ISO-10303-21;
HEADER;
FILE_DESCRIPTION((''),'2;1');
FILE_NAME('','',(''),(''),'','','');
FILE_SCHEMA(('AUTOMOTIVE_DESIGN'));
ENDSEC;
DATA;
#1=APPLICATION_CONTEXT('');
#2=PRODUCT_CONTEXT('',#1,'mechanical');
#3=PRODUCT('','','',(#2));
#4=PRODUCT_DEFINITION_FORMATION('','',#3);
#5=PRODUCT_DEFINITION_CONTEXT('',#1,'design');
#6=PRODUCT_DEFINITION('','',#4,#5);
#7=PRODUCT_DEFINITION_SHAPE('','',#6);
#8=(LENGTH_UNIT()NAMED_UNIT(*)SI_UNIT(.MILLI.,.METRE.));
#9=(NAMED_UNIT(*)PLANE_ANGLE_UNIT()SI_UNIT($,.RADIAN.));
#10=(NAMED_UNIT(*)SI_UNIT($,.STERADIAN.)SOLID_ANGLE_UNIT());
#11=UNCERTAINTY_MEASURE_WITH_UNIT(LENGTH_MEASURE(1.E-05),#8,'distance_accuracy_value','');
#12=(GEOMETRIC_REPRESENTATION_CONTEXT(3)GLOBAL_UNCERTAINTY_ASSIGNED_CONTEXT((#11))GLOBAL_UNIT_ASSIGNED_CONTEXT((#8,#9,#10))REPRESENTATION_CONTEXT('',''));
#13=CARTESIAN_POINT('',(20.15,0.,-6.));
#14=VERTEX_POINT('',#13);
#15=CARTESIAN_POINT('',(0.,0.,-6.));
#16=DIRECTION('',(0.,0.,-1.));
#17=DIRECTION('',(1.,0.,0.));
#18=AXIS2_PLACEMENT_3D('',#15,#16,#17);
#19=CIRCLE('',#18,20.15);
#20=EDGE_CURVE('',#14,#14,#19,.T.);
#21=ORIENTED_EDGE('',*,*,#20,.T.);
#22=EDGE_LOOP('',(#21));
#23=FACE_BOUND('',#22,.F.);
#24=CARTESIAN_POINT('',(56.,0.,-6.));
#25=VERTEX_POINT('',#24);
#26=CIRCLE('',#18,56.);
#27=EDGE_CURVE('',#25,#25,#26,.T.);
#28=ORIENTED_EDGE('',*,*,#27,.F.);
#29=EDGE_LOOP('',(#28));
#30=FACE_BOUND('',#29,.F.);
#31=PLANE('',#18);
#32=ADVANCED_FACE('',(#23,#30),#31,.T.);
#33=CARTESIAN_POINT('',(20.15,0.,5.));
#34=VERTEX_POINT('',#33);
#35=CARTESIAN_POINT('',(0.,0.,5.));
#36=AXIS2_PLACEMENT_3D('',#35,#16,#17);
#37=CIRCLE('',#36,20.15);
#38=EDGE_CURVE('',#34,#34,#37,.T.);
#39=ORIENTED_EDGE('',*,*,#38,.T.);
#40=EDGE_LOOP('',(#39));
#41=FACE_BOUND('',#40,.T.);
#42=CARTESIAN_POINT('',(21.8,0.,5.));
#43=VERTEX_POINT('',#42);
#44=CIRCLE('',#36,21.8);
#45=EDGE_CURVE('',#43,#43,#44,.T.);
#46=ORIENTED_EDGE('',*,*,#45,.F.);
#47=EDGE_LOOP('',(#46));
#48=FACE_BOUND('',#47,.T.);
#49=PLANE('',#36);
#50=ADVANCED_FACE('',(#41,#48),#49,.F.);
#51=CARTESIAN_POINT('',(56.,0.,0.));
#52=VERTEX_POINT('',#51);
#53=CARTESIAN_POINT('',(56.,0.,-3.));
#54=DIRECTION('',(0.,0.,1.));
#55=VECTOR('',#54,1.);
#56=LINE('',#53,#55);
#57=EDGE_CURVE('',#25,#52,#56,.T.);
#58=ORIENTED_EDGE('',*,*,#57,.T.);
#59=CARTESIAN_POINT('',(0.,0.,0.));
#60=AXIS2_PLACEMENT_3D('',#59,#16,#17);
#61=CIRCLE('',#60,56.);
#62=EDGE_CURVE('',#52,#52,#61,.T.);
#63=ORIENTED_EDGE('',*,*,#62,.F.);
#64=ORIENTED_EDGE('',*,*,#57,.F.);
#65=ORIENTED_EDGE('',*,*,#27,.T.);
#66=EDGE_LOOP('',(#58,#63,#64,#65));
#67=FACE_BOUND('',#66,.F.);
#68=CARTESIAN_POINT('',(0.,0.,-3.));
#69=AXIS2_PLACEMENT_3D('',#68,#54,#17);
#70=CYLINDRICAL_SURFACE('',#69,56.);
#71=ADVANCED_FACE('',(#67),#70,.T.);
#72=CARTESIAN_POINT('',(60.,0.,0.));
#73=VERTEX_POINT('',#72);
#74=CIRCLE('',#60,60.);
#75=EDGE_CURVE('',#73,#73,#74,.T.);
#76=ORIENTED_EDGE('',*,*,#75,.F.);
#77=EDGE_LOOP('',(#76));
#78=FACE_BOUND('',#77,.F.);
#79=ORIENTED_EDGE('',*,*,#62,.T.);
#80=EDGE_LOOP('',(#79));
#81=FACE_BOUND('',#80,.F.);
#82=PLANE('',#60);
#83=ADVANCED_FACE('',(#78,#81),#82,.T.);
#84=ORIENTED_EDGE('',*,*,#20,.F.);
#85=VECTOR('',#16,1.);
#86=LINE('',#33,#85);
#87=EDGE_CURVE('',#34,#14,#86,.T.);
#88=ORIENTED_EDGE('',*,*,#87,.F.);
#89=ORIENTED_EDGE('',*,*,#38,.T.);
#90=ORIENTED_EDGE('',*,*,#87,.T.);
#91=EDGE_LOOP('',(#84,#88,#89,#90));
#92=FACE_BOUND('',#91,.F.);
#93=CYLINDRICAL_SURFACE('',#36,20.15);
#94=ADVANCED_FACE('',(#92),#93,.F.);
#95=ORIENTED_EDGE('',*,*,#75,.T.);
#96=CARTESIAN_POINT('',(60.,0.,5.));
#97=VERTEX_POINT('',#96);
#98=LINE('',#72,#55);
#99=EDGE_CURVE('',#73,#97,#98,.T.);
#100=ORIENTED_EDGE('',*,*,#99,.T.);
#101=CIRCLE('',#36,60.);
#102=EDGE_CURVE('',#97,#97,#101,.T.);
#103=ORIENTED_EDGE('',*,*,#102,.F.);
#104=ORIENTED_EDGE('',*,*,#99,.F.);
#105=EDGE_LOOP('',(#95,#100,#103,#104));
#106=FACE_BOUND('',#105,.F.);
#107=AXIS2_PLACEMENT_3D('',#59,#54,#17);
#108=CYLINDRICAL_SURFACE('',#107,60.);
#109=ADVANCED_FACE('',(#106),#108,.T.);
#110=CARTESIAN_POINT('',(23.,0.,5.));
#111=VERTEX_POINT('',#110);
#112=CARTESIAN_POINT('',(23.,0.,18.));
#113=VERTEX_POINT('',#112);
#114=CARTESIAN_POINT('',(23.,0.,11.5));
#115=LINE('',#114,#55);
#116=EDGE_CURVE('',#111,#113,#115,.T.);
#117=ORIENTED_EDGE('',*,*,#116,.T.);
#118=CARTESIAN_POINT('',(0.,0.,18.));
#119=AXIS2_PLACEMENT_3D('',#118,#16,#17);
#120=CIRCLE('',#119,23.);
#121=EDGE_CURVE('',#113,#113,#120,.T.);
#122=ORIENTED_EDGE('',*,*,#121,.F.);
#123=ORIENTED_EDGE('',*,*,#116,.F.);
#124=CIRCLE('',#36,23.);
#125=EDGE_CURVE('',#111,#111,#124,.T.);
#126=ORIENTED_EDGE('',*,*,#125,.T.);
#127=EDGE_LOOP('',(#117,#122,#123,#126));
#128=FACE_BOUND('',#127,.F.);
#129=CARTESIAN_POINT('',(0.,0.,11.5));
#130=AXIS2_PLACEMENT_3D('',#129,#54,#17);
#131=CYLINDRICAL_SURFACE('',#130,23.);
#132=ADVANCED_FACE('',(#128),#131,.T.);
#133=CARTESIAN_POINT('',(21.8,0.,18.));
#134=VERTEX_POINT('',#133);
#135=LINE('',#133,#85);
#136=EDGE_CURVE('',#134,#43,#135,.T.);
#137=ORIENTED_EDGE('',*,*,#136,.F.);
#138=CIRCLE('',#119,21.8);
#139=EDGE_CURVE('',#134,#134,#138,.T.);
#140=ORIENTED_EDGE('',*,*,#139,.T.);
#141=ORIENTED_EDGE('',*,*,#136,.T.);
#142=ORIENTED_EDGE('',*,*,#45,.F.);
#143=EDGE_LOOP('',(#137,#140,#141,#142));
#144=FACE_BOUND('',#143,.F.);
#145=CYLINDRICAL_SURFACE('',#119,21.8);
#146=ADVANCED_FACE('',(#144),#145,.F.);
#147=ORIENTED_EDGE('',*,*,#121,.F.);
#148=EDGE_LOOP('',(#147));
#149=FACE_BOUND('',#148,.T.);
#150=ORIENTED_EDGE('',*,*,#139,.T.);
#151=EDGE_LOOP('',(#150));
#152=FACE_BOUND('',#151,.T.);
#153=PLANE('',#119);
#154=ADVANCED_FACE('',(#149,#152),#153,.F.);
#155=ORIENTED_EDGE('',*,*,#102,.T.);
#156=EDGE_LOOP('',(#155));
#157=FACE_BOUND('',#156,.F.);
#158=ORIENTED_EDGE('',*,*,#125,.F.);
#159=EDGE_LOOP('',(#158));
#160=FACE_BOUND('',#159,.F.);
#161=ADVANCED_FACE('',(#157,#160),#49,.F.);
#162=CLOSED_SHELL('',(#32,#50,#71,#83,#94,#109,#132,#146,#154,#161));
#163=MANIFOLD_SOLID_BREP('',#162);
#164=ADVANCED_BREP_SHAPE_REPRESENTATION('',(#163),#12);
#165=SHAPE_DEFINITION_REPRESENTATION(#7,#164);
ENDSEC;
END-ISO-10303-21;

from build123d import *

# Parameters (mm, degrees)
F0_W   = 34.2
F0_H   = 6
F0_W_2 = 1.2
F0_H_2 = 13
F0_W_3 = 1.65
F0_H_3 = 5


with BuildPart() as f1:
    # F0 (on Front) → F1 (revolve)
    with BuildSketch(Plane.XZ):
        with Locations((38.9, -3)):
            Rectangle(F0_W, F0_H)
        Polygon((21.8, 0), (56, 0), (60, 0), (60, 5), (24.65, 5), (23, 5), (21.8, 5), align=None)
        with Locations((22.4, 11.5)):
            Rectangle(F0_W_2, F0_H_2)
        with Locations((20.975, 2.5)):
            Rectangle(F0_W_3, F0_H_3)
        with Locations((20.975, -3)):
            Rectangle(F0_W_3, F0_H)
    revolve(axis=Axis((0, 0, -3), (0, 0, -1)))


solid = f1.part
